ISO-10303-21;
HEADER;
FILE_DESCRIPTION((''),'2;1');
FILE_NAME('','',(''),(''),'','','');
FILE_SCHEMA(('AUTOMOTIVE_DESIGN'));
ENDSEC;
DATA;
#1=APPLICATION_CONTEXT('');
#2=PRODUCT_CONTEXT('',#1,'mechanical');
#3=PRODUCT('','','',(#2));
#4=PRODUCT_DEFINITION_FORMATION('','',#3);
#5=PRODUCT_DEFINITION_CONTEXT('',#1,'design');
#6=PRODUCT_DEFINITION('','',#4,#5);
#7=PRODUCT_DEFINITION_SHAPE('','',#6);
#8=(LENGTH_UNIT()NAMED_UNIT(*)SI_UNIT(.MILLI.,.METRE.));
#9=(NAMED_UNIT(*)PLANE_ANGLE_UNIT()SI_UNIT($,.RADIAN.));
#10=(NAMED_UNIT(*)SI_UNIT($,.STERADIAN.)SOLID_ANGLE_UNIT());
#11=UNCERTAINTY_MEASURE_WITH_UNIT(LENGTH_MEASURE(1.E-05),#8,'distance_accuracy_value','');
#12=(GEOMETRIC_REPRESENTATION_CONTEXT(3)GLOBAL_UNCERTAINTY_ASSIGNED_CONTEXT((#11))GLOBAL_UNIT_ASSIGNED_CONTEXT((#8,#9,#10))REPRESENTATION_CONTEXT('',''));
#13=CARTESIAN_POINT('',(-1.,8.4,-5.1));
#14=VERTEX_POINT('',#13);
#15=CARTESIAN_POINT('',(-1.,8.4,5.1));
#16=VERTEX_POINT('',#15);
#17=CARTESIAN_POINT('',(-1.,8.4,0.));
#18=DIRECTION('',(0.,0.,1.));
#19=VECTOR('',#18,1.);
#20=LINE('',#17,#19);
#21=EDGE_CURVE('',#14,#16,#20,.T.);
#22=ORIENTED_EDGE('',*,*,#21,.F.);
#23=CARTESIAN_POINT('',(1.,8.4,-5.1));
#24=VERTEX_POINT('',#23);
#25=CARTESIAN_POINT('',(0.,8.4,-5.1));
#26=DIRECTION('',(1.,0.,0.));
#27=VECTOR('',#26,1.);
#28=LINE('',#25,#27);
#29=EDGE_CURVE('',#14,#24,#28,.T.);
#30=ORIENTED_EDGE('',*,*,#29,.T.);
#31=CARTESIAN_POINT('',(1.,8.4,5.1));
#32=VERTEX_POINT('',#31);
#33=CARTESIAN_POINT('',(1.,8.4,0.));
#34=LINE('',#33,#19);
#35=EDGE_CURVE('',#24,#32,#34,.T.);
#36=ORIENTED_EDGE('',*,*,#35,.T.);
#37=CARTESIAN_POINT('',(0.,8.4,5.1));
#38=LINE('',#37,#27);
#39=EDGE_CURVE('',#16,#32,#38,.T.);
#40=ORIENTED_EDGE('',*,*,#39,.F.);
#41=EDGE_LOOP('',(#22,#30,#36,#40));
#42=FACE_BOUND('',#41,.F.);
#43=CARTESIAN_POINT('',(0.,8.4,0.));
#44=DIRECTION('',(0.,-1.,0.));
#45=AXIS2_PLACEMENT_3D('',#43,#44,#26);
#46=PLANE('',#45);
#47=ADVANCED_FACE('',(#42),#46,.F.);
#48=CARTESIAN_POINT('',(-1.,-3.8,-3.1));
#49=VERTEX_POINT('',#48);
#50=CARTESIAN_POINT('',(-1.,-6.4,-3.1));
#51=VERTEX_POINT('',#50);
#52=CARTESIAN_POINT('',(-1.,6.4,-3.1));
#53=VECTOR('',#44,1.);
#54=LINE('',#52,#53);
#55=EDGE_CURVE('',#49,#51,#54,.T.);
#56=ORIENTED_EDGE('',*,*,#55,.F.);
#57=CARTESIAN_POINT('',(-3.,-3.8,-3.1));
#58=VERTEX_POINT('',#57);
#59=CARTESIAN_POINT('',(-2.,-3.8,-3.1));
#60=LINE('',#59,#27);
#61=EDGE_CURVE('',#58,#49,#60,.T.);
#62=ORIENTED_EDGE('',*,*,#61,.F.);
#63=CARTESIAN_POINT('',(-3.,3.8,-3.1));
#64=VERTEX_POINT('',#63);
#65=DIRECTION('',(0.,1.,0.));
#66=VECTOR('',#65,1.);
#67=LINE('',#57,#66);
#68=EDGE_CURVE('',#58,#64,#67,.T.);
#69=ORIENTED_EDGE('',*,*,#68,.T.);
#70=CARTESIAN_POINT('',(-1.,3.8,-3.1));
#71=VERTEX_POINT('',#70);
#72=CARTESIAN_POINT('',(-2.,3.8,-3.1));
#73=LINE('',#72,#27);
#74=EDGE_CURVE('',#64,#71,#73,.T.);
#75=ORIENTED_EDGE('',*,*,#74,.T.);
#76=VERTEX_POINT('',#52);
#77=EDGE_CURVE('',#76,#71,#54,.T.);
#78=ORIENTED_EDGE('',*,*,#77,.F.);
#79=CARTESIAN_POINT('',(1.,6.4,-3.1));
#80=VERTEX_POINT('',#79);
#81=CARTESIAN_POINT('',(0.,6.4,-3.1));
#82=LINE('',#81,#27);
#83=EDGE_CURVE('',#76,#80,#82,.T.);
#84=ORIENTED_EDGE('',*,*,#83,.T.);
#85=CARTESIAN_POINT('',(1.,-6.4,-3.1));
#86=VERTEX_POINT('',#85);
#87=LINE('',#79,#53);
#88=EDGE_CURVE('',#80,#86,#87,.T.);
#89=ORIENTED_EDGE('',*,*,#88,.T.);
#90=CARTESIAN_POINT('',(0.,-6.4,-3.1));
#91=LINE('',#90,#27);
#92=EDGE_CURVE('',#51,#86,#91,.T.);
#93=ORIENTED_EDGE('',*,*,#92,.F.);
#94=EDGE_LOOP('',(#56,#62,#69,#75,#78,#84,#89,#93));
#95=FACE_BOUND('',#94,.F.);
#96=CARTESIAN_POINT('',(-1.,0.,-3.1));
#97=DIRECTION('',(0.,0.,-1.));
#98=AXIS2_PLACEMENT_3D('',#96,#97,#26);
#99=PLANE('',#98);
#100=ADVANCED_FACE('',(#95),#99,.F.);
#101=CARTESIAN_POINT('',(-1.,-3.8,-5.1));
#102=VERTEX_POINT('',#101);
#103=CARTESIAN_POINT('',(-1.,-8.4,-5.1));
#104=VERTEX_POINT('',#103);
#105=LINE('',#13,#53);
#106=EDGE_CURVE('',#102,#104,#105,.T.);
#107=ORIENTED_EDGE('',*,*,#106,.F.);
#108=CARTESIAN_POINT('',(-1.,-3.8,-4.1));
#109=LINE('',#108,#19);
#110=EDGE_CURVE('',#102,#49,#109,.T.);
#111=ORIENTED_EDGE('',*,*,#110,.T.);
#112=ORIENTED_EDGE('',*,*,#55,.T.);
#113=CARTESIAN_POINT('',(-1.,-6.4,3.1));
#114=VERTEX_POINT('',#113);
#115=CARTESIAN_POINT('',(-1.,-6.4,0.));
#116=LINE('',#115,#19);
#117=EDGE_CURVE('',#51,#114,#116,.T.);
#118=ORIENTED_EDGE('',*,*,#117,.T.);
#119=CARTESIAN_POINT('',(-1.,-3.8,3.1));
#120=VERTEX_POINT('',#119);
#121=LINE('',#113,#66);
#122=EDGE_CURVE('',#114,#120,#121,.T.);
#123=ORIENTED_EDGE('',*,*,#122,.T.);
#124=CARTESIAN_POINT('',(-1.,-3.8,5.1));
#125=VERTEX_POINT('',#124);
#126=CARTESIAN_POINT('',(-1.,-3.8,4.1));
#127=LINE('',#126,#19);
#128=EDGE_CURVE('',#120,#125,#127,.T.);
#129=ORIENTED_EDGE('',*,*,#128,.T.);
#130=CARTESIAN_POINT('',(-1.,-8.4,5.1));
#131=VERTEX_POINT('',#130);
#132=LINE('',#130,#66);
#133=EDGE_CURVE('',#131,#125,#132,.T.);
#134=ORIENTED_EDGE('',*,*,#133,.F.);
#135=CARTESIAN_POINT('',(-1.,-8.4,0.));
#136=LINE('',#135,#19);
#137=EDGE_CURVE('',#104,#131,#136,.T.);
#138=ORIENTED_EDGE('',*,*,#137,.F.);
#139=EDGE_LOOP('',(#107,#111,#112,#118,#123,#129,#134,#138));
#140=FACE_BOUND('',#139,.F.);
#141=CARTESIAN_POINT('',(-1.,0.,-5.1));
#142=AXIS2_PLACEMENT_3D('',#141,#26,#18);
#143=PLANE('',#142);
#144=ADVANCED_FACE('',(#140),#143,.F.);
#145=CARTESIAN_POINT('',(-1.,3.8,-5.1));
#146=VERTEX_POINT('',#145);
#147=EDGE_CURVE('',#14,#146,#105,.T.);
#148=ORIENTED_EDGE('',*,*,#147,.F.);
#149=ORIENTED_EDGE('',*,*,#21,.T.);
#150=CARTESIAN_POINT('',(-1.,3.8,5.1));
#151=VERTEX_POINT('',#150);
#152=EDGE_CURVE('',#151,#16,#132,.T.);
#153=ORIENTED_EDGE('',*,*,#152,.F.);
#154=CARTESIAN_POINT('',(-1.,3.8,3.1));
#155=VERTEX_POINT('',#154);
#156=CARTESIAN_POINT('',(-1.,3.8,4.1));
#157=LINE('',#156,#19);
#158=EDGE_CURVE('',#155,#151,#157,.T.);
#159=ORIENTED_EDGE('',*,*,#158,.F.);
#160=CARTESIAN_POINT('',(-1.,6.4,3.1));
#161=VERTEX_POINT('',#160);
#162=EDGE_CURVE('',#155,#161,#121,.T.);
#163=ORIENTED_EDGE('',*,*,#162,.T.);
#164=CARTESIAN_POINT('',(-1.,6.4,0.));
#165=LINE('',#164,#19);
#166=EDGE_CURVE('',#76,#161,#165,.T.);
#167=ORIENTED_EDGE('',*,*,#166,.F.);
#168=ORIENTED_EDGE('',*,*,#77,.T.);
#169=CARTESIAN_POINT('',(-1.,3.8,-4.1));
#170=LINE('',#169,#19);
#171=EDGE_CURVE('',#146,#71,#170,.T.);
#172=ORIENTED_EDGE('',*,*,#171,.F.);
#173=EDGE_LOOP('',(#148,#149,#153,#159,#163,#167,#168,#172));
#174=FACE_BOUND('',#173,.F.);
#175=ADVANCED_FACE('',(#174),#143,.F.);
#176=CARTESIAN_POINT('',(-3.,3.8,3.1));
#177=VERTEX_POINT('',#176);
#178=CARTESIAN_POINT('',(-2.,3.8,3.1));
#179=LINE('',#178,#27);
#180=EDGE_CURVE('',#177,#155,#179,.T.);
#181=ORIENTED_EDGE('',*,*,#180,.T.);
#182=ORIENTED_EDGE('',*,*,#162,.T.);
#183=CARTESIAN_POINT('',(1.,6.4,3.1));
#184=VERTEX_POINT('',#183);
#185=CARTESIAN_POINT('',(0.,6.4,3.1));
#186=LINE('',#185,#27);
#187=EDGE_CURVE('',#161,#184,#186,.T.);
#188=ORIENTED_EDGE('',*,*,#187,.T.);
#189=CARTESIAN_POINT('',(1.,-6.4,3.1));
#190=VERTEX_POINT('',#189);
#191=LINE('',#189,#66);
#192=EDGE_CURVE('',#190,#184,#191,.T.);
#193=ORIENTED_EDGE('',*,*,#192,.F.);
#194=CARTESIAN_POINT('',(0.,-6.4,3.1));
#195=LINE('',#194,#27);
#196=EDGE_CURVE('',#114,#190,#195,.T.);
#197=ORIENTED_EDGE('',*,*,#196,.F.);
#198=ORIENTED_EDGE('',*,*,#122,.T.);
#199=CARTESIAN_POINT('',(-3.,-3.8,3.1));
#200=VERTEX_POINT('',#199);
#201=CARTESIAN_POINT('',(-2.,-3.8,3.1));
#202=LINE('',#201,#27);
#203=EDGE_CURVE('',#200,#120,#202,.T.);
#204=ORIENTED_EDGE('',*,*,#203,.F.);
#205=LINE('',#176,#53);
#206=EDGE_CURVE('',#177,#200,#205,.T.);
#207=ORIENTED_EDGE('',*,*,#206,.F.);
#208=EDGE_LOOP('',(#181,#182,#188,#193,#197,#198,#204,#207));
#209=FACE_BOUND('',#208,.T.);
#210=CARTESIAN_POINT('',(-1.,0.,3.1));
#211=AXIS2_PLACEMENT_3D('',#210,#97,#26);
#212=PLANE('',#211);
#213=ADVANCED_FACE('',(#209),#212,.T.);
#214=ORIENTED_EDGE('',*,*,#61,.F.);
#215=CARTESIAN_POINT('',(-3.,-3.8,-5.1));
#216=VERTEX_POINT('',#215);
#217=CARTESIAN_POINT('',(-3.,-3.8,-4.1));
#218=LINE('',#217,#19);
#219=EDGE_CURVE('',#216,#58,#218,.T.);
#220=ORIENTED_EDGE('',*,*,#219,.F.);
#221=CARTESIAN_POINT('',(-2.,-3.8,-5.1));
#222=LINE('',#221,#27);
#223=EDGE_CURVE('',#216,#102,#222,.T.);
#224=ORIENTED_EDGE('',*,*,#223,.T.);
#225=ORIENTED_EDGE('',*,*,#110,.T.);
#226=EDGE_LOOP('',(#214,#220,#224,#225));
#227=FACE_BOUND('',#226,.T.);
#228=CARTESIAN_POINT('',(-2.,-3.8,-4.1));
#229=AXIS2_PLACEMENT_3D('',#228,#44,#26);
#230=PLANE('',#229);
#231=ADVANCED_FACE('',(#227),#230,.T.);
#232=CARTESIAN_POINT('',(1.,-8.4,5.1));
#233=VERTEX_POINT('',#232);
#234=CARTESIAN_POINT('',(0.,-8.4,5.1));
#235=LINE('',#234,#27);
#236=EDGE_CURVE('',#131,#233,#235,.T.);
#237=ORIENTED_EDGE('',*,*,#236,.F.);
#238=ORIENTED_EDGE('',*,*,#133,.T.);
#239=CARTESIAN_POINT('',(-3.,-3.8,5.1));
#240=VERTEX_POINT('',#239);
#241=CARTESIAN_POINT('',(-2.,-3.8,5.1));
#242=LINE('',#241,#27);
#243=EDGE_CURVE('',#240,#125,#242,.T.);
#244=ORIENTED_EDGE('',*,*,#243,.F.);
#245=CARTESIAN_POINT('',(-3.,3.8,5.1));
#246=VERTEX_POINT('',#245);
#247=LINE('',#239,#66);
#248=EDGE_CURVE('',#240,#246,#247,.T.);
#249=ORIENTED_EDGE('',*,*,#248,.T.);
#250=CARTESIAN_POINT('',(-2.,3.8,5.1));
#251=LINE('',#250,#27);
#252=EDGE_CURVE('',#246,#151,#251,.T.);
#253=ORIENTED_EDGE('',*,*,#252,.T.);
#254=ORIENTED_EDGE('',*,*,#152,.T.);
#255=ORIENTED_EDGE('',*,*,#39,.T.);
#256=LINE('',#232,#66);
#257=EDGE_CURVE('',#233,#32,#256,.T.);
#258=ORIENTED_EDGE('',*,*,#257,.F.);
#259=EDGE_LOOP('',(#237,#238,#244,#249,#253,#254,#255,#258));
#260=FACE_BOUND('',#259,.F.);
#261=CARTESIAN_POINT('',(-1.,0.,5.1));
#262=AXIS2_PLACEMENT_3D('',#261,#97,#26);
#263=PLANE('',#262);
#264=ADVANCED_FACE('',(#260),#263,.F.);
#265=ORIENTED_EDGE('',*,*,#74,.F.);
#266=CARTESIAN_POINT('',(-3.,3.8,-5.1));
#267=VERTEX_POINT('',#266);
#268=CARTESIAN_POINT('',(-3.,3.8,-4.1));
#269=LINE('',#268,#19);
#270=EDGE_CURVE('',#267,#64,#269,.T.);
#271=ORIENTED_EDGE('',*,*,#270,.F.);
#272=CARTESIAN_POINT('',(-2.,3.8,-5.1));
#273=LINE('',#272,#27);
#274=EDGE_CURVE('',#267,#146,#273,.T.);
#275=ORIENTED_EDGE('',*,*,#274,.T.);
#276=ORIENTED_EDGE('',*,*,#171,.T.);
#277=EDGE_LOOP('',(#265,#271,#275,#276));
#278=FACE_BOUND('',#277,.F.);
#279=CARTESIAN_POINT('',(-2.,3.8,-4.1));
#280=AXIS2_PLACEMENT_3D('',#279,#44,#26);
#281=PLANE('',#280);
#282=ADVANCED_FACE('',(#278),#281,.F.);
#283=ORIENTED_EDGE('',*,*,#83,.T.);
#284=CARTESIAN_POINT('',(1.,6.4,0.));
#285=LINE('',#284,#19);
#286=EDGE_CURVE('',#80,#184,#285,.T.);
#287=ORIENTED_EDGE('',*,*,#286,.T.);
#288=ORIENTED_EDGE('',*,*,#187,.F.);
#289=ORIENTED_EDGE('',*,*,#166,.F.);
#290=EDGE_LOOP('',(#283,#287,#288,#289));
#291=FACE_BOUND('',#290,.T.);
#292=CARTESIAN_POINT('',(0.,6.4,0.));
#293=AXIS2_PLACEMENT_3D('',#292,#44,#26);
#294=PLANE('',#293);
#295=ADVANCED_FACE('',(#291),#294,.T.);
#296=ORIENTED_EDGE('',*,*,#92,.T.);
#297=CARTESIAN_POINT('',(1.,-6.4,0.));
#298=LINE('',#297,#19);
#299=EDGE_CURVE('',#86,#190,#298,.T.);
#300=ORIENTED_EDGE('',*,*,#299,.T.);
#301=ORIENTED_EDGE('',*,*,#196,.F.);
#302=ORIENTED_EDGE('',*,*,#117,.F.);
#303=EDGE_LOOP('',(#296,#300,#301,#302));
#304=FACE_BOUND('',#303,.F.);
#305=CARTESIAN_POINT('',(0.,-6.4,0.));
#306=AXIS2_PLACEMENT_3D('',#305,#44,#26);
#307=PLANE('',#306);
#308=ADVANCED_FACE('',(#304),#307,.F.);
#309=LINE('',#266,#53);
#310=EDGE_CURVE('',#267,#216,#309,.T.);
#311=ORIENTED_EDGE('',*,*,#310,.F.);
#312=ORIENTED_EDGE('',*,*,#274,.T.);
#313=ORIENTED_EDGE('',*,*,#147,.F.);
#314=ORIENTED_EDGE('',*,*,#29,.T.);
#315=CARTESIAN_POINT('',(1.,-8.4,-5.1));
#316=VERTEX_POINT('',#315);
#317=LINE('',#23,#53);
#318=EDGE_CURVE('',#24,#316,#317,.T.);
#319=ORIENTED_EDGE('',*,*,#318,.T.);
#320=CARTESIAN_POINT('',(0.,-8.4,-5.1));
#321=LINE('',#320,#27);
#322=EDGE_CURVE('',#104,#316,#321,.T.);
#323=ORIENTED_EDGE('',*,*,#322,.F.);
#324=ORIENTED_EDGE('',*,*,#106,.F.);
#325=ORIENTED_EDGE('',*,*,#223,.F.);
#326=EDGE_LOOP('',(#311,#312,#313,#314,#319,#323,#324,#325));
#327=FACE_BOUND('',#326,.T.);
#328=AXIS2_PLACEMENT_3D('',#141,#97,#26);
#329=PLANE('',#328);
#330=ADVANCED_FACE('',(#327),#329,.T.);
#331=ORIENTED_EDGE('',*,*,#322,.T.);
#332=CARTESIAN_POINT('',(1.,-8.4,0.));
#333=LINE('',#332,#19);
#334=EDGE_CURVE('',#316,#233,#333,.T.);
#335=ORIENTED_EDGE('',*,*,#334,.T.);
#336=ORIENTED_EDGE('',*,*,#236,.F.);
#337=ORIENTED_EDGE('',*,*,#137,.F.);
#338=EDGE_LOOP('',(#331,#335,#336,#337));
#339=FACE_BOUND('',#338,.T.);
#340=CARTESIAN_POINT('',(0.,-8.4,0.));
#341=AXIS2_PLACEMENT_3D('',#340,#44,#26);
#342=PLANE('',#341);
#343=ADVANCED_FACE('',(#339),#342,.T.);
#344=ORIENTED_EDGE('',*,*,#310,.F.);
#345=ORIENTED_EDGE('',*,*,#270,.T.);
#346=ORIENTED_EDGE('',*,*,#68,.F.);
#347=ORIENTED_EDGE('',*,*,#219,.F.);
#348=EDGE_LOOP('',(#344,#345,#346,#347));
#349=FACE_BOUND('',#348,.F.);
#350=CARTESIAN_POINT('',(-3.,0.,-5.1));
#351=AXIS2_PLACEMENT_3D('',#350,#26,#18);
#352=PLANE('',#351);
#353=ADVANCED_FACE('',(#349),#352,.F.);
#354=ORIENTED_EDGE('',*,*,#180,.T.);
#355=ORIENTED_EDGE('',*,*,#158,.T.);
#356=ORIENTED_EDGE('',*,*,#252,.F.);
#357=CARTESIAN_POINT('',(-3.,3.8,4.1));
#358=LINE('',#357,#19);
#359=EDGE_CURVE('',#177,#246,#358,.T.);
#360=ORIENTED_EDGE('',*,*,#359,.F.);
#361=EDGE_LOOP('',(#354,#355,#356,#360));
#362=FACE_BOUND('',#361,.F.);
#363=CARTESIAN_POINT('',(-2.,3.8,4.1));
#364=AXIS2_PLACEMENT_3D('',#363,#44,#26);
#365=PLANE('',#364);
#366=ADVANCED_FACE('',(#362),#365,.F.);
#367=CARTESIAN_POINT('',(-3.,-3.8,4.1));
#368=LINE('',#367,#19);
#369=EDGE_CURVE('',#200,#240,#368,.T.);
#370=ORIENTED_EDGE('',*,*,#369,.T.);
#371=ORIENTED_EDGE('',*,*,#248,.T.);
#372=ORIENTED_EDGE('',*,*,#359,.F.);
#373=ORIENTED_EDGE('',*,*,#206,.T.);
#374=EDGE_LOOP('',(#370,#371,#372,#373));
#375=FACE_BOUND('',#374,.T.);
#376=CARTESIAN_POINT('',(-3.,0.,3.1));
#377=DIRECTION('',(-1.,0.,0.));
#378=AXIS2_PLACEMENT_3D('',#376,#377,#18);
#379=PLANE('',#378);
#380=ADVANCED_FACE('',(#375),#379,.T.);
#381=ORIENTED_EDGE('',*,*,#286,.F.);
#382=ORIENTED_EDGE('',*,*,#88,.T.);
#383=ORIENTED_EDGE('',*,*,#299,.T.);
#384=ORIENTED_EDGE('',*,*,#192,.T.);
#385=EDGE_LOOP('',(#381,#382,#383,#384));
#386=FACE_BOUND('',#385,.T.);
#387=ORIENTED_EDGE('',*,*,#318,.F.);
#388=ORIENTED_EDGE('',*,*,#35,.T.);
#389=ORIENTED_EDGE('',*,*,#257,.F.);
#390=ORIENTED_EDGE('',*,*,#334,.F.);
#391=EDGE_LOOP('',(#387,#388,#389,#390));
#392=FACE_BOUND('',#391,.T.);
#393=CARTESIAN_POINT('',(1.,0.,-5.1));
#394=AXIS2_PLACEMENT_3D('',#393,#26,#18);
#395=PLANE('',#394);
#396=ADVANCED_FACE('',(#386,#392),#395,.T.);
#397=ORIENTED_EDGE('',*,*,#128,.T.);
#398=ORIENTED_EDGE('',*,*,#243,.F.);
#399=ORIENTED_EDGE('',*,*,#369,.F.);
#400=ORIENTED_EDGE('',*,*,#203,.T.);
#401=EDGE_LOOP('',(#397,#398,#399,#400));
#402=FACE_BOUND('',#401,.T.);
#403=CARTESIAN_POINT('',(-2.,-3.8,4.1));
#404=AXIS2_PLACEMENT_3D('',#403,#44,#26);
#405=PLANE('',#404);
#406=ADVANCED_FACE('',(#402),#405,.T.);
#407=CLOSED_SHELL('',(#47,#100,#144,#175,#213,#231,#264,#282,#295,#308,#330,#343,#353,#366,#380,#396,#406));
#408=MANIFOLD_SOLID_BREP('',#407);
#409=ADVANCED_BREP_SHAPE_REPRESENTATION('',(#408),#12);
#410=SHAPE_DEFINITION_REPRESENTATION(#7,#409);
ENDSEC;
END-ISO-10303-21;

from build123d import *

# Parameters (mm, degrees)
SKETCH063_W      = 2
SKETCH063_H      = 2
EXTRUDE068_DEPTH = 3.8
SKETCH062_W      = 2
SKETCH062_H      = 6.2
EXTRUDE067_DEPTH = 6.4
SKETCH061_W      = 2
SKETCH061_H      = 10.2
EXTRUDE066_DEPTH = 8.4


with BuildPart() as extrude_blocchi_tra_switch:
    # Sketch063 → Extrude068 (new body, symmetric)
    with BuildSketch(Plane.XZ):
        with Locations((-2, 4.1)):
            Rectangle(SKETCH063_W, SKETCH063_H)
        with Locations((-2, -4.1)):
            Rectangle(SKETCH063_W, SKETCH063_H)
    extrude(amount=EXTRUDE068_DEPTH, both=True)


with BuildPart() as extrude_struttura_interna_blocco_switch:
    # Sketch062 → Extrude067 (new body, symmetric)
    with BuildSketch(Plane.XZ):
        Rectangle(SKETCH062_W, SKETCH062_H)
    extrude(amount=EXTRUDE067_DEPTH, both=True)


with BuildPart() as fusion_blocco_switch:
    # Sketch061 → Extrude066 (new body, symmetric)
    with BuildSketch(Plane.XZ):
        Rectangle(SKETCH061_W, SKETCH061_H)
    extrude(amount=EXTRUDE066_DEPTH, both=True)

    # Cut036: cut Extrude struttura interna blocco switch
    add(extrude_struttura_interna_blocco_switch.part, mode=Mode.SUBTRACT)

    # Fusion002: union Extrude blocchi tra switch
    add(extrude_blocchi_tra_switch.part)


solid = fusion_blocco_switch.part
